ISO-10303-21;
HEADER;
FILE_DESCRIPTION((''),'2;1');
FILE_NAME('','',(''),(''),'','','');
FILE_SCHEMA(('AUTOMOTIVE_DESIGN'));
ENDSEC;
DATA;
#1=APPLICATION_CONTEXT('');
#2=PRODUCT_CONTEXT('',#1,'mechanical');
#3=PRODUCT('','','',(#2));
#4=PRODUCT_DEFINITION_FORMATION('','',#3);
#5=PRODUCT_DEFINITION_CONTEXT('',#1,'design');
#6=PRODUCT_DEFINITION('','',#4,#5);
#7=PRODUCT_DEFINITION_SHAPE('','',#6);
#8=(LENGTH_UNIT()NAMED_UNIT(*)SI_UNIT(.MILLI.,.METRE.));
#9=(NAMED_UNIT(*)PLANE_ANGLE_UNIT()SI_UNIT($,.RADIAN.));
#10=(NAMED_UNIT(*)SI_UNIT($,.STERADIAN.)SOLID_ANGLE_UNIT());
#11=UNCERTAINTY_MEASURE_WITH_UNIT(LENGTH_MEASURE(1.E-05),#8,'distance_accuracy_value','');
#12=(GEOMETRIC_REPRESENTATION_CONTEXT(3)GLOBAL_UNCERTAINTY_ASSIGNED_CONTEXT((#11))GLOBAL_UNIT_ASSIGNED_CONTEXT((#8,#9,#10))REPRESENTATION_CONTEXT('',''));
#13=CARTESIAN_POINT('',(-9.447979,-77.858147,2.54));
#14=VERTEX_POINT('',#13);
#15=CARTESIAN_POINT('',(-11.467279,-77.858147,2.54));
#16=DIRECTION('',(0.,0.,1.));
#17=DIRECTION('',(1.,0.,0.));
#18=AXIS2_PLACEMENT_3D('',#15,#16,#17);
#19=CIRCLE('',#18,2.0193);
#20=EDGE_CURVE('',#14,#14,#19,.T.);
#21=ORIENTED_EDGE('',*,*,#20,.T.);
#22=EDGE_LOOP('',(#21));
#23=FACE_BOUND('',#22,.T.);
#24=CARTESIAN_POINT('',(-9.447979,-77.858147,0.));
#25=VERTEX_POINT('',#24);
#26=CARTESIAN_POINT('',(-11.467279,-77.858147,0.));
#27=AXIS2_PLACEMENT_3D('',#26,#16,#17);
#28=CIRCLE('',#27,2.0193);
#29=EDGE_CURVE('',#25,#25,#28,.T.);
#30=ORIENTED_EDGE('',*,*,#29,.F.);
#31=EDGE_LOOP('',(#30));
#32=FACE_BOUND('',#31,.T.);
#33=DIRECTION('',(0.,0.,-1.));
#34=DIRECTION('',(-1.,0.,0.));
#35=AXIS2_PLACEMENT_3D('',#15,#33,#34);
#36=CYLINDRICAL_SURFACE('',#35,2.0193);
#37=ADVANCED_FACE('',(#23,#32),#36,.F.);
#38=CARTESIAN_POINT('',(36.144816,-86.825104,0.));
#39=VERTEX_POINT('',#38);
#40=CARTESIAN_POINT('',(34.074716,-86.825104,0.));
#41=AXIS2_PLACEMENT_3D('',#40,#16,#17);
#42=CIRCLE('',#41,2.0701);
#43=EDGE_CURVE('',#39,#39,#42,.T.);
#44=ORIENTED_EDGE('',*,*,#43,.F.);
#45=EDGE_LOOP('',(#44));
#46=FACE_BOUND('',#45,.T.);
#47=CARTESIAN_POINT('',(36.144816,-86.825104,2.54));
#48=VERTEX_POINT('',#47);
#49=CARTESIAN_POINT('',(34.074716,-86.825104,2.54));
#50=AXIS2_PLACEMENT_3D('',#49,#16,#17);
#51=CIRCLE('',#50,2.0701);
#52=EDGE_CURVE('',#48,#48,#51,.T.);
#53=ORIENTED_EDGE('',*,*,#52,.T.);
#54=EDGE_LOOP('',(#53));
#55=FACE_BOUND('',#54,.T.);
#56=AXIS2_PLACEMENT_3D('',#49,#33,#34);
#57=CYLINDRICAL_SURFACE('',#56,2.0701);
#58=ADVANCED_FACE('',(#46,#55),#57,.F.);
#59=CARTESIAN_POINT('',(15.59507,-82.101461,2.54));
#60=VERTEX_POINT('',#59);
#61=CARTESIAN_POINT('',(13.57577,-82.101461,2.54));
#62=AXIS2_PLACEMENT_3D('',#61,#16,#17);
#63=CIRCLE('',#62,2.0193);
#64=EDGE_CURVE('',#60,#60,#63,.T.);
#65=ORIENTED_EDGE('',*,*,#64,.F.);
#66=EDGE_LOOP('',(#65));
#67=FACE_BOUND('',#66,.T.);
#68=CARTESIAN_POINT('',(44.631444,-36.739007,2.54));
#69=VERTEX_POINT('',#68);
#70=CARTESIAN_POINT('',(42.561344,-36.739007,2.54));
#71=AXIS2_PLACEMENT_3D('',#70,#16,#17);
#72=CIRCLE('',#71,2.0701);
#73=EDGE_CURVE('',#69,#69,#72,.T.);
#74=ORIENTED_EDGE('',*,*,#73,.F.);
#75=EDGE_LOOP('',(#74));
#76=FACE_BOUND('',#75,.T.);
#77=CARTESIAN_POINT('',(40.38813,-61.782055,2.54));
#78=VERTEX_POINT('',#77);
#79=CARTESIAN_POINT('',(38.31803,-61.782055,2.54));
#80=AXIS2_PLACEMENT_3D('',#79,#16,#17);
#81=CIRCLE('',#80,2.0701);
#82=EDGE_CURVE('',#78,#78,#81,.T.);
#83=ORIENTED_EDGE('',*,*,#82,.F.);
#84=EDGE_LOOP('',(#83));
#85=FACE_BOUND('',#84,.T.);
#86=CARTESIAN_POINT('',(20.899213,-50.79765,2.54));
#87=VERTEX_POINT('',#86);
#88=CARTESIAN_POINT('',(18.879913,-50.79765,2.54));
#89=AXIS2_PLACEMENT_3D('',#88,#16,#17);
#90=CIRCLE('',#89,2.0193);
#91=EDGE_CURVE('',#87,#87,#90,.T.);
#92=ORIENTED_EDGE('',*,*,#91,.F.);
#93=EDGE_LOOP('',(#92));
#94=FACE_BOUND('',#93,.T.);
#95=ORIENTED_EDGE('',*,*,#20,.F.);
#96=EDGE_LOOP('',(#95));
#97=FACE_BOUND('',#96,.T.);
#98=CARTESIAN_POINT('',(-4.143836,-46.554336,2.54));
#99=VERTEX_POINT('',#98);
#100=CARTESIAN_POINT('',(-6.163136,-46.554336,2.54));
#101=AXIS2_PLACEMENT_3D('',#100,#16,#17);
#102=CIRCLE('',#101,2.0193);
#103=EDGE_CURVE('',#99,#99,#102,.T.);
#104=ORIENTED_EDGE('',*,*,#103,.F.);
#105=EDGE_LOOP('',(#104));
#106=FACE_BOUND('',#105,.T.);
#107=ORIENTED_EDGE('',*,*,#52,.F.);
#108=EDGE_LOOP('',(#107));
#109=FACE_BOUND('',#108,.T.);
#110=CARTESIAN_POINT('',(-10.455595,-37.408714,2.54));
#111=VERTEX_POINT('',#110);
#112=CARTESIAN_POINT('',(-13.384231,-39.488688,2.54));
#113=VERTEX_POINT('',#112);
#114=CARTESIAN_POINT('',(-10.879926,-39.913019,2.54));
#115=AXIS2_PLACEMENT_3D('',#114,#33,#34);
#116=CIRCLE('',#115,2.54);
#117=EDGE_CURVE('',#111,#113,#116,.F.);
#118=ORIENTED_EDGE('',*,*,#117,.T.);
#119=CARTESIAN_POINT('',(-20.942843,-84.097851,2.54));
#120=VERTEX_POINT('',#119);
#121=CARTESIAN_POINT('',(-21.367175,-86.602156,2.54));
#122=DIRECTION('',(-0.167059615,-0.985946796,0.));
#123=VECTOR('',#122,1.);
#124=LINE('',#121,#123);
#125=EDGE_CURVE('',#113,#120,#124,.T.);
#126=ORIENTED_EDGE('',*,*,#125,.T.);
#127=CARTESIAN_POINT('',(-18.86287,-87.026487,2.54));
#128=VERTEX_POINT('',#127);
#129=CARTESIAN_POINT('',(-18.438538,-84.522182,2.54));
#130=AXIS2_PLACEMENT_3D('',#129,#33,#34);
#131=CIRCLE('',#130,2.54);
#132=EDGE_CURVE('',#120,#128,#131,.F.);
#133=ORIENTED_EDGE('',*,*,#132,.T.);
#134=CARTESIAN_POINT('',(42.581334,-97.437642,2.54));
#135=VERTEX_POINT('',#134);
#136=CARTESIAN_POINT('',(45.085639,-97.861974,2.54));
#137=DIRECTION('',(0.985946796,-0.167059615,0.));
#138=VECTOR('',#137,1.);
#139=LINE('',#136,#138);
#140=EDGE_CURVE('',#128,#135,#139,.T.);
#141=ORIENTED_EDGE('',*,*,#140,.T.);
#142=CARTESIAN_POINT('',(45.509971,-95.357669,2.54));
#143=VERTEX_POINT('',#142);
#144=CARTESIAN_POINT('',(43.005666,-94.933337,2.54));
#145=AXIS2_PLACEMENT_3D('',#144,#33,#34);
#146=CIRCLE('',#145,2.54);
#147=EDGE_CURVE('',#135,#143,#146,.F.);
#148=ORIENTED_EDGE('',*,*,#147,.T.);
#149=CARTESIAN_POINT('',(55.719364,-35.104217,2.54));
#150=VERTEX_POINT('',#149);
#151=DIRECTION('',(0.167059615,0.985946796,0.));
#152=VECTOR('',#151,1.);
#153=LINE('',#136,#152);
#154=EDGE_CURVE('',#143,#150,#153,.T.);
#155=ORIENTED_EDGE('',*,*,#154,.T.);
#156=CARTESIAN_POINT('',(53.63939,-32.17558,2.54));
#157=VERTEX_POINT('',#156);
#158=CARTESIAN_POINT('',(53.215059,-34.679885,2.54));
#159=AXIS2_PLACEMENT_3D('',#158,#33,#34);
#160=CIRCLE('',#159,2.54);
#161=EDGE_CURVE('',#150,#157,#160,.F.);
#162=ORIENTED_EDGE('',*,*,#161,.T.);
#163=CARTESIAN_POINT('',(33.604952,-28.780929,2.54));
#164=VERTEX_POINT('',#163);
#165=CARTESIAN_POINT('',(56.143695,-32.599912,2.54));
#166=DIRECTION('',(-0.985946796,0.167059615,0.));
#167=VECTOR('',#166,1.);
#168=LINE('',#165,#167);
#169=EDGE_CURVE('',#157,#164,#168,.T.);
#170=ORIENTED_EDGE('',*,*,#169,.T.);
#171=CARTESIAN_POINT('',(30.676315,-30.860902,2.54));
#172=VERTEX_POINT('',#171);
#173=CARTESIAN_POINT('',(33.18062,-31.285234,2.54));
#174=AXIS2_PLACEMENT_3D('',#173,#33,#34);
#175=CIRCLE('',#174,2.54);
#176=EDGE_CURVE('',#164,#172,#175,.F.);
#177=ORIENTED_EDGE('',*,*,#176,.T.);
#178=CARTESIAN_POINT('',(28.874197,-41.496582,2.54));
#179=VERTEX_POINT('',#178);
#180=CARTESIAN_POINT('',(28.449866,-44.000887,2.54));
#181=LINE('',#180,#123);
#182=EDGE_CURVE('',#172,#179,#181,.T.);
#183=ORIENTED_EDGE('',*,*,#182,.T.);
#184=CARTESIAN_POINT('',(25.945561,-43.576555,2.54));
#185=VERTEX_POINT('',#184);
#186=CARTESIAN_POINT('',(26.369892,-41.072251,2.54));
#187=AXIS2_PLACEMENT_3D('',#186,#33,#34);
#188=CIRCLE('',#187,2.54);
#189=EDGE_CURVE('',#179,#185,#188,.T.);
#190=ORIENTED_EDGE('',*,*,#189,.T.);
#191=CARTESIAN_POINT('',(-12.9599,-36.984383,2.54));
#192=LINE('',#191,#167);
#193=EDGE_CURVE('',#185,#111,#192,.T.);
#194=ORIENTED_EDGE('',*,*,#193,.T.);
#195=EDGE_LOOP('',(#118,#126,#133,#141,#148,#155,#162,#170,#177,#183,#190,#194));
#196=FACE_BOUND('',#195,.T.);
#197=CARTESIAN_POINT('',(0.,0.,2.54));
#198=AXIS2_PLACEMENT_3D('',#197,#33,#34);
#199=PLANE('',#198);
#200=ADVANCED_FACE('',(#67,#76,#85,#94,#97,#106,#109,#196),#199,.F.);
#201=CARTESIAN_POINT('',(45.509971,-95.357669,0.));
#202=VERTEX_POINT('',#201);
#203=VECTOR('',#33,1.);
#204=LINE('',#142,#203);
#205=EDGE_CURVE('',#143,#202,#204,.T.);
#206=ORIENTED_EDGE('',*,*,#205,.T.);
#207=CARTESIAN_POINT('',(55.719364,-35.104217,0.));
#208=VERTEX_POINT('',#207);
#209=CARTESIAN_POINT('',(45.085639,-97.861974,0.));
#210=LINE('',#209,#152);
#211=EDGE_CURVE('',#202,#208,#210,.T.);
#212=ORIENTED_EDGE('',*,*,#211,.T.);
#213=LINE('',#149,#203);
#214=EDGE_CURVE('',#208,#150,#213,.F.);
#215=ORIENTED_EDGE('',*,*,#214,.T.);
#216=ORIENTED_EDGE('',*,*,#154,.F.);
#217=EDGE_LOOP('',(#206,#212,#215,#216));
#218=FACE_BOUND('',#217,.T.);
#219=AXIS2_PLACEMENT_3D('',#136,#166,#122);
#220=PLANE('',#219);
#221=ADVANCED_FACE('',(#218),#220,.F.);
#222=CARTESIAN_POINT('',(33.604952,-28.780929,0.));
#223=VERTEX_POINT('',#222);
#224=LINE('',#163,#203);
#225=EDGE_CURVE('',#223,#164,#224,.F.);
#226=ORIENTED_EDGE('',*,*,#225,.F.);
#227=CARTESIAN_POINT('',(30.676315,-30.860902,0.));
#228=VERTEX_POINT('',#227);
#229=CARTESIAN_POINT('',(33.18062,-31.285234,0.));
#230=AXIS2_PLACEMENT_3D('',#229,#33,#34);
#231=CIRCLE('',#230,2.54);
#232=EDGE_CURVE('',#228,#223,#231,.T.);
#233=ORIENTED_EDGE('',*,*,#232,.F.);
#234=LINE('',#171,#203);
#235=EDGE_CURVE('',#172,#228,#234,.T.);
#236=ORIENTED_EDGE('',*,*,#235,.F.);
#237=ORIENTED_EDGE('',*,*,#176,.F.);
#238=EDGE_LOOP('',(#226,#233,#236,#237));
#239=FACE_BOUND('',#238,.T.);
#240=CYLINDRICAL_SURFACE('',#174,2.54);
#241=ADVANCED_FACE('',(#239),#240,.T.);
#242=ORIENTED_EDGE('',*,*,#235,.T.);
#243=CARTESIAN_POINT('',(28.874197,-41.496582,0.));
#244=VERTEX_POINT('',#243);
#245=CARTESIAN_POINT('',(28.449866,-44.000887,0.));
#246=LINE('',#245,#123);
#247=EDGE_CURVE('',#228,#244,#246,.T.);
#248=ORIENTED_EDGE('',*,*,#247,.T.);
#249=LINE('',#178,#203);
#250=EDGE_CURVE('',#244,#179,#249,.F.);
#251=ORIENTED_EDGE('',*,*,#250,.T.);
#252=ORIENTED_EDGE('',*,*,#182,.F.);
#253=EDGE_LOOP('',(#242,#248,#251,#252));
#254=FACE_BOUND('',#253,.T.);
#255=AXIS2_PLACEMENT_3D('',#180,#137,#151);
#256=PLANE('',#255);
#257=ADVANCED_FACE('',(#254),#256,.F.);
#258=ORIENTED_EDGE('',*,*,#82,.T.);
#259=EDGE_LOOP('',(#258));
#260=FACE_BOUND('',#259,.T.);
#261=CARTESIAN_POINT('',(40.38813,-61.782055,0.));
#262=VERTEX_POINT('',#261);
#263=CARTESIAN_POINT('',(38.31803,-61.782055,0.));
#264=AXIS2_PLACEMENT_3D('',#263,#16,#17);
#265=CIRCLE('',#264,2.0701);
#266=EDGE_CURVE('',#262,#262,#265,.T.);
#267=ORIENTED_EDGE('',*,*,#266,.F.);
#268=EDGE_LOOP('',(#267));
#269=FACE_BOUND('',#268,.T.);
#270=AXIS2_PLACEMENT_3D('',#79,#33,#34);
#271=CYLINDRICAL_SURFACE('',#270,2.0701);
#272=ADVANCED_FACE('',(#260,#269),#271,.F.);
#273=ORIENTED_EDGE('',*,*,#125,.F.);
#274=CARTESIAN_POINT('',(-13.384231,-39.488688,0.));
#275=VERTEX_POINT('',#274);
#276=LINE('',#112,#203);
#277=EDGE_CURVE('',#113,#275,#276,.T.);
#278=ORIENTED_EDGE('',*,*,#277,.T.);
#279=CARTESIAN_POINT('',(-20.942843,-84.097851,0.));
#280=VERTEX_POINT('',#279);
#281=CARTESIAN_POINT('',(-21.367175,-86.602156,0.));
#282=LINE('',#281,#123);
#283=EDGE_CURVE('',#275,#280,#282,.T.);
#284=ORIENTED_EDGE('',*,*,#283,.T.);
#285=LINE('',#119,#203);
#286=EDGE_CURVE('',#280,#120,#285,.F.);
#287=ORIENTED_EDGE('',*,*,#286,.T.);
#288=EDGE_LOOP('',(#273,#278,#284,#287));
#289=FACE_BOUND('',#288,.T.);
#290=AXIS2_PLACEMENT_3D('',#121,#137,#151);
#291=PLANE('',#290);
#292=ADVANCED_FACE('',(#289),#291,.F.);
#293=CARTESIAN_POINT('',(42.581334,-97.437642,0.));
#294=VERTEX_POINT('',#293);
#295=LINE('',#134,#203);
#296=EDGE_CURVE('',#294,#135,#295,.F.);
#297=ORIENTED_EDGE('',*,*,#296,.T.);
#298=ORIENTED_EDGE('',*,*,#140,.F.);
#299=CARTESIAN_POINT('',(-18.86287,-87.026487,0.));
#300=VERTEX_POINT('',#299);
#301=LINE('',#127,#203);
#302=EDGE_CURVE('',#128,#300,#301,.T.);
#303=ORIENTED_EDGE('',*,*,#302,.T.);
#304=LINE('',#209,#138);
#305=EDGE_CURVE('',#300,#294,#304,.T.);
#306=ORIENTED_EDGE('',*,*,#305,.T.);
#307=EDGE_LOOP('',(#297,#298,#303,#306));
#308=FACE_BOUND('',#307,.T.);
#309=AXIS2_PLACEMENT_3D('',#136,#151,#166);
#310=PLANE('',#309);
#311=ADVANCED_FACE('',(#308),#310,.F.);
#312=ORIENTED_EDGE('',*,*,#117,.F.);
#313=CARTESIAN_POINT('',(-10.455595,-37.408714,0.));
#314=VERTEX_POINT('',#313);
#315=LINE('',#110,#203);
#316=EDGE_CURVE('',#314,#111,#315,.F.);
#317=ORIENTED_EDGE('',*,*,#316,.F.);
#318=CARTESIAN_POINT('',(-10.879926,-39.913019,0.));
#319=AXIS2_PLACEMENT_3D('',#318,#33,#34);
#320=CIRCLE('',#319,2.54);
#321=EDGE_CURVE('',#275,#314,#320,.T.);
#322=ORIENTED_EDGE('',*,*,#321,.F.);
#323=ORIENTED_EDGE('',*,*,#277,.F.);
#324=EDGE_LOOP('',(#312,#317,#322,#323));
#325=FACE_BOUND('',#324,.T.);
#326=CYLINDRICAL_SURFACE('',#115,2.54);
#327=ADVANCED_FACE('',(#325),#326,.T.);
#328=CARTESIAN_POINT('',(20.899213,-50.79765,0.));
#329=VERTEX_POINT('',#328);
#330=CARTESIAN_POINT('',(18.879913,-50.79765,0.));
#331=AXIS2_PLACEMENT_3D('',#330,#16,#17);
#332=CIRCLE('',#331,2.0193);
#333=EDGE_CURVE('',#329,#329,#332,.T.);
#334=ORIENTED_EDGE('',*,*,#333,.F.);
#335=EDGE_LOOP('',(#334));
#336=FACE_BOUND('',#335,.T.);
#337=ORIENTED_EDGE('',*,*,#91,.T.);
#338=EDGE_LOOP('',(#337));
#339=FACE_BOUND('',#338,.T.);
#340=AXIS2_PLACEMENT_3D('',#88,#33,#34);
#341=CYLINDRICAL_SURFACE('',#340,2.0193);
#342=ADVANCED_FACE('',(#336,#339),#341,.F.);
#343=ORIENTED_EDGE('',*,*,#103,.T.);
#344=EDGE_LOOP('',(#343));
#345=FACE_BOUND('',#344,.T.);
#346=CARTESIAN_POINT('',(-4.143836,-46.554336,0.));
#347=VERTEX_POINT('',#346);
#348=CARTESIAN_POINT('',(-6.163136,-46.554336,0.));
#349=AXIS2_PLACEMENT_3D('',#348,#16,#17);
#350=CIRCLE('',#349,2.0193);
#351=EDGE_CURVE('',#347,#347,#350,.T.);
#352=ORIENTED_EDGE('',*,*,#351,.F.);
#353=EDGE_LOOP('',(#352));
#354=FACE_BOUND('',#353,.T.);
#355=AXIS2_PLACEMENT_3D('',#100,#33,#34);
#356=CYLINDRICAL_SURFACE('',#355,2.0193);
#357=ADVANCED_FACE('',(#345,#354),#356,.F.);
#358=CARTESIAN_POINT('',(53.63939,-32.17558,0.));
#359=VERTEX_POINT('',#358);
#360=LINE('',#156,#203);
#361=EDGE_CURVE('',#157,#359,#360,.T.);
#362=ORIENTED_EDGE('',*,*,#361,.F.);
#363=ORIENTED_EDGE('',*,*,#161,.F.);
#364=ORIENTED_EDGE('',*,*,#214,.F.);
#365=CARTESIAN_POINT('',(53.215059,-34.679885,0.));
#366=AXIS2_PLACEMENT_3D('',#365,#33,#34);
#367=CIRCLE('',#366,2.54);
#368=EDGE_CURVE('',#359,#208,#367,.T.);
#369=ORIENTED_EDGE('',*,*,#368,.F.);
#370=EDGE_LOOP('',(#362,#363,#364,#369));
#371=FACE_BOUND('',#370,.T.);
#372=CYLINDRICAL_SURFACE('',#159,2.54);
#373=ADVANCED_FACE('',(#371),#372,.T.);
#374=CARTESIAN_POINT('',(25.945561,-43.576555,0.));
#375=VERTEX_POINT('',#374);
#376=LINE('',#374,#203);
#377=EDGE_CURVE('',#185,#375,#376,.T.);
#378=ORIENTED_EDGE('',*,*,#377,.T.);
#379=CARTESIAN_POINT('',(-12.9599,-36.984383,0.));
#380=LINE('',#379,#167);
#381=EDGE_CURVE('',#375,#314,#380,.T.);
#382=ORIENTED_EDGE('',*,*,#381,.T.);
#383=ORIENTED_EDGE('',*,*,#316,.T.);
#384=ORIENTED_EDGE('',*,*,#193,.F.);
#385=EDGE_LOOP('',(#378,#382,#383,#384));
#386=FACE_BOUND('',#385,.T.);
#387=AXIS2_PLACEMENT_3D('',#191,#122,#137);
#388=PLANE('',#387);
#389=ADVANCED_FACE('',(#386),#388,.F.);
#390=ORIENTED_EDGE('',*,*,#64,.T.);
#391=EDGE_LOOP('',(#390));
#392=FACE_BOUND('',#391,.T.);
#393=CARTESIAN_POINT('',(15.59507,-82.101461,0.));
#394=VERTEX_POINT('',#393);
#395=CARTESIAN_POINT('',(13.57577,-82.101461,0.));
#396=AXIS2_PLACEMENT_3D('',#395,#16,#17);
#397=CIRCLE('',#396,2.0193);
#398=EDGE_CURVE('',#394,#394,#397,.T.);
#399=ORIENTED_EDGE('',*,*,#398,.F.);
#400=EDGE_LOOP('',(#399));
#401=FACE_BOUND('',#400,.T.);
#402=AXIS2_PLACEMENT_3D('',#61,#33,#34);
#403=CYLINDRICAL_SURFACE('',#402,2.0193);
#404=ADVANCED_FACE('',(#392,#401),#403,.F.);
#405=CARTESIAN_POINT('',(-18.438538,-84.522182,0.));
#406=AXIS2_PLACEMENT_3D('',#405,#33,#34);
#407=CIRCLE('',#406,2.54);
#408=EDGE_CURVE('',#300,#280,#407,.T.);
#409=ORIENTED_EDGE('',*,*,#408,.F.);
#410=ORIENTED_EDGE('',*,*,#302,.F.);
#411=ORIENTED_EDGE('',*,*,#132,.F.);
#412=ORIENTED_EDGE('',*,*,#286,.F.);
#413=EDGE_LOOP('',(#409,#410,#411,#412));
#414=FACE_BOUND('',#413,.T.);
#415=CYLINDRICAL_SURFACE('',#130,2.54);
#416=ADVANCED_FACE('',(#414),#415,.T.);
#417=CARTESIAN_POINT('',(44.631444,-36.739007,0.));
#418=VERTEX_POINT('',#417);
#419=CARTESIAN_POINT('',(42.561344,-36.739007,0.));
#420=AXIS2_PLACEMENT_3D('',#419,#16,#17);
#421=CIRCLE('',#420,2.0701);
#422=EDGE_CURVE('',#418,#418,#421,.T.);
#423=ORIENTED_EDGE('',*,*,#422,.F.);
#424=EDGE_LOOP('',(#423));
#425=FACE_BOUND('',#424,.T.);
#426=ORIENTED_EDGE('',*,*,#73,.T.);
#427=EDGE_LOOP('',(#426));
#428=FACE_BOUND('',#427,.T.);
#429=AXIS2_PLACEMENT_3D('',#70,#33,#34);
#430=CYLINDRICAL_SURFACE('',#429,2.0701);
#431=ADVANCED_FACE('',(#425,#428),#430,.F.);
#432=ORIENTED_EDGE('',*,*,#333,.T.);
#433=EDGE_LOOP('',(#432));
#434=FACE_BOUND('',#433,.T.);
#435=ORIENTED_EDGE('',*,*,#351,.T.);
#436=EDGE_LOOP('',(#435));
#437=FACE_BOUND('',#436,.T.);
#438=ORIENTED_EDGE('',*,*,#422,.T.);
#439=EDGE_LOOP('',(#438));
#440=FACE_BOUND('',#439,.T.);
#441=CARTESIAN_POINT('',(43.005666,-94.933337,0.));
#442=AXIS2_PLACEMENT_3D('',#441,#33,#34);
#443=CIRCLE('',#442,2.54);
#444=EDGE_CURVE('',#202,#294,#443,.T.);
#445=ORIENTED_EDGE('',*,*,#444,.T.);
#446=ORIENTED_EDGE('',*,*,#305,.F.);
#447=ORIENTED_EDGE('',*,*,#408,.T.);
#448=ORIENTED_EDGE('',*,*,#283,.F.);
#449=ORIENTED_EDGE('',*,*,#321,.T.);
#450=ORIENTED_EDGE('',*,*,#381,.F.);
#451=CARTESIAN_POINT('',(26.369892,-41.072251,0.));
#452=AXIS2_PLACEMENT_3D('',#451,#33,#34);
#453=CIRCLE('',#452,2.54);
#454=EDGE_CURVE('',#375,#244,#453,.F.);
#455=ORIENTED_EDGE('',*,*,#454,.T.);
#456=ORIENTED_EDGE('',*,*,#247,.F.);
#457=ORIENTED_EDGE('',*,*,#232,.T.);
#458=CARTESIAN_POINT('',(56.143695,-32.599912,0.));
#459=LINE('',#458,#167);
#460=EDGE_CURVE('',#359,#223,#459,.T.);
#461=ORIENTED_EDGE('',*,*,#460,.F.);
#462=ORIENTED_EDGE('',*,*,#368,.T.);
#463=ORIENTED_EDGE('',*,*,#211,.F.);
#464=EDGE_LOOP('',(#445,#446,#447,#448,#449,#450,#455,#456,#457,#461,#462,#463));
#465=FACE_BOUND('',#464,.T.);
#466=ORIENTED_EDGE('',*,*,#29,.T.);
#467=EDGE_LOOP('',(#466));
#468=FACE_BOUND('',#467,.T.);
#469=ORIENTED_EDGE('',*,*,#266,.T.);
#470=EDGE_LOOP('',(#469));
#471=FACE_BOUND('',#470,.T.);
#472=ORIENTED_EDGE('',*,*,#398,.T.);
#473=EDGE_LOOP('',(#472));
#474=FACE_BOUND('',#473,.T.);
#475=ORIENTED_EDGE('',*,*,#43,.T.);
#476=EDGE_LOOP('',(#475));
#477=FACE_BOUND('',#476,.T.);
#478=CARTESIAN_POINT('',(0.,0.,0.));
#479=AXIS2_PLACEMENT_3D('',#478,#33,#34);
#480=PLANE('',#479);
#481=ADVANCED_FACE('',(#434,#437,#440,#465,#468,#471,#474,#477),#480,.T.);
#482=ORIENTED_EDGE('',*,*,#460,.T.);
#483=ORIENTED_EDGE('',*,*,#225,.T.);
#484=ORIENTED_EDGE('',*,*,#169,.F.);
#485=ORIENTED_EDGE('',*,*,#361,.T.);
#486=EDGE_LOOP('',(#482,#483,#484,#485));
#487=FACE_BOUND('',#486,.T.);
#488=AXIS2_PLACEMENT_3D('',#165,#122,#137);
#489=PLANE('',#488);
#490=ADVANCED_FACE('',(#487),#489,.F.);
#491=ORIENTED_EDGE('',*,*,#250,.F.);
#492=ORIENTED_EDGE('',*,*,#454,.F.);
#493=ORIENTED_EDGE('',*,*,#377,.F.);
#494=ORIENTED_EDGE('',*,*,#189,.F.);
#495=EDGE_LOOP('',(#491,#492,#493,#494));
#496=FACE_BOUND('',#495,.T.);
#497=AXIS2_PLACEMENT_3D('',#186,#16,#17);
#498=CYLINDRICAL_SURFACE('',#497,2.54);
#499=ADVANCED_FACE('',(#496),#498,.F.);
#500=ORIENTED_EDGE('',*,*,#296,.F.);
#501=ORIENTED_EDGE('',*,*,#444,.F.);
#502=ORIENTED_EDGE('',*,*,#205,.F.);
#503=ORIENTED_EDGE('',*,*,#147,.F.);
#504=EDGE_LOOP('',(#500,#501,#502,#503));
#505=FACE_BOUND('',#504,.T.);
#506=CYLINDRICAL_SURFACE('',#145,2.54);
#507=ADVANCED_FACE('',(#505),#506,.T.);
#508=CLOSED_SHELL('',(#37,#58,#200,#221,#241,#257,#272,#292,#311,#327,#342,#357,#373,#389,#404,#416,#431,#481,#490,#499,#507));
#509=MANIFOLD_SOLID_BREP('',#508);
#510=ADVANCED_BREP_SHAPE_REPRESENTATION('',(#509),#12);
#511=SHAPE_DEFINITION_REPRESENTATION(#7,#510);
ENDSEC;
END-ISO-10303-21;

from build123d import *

# Parameters (mm, degrees)
SKETCH1_R           = 2.019299997
SKETCH1_R_2         = 2.019299996
SKETCH1_R_3         = 2.070099997
BOSS_EXTRUDE1_DEPTH = 2.54
FILLET2_R           = 2.54


with BuildPart() as part:
    # Sketch1 → Boss-Extrude1 (new body)
    with BuildSketch(Plane.XY):
        Polygon((-12.959899663, -36.98438298), (28.449865782, -44.000886797), (31.100646676, -28.356597569), (56.143695302, -32.599911782), (45.085639298, -97.861973534), (-21.367174772, -86.602155504), align=None)
        with Locations((-6.163136056, -46.554336191)):
            Circle(SKETCH1_R, mode=Mode.SUBTRACT)
        with Locations((-11.467278822, -77.858146974)):
            Circle(SKETCH1_R_2, mode=Mode.SUBTRACT)
        with Locations((18.87991257, -50.797650404)):
            Circle(SKETCH1_R_2, mode=Mode.SUBTRACT)
        with Locations((13.575769804, -82.101461187)):
            Circle(SKETCH1_R_2, mode=Mode.SUBTRACT)
        with Locations((38.318029948, -61.782055276)):
            Circle(SKETCH1_R_3, mode=Mode.SUBTRACT)
        with Locations((34.074715735, -86.825103902)):
            Circle(SKETCH1_R_3, mode=Mode.SUBTRACT)
        with Locations((42.561344161, -36.73900665)):
            Circle(SKETCH1_R_3, mode=Mode.SUBTRACT)
    extrude(amount=BOSS_EXTRUDE1_DEPTH)

    # Fillet2
    fillet2_edges = [part.edges().sort_by_distance(p)[0] for p in [
        (-21.367174772, -86.602155504, 1.27),
        (-12.959899663, -36.98438298, 1.27),
        (28.449865782, -44.000886797, 1.27),
        (31.100646676, -28.356597569, 1.27),
        (56.143695302, -32.599911782, 1.27),
        (45.085639298, -97.861973534, 1.27),
    ]]
    fillet(fillet2_edges, radius=FILLET2_R)


solid = part.part
